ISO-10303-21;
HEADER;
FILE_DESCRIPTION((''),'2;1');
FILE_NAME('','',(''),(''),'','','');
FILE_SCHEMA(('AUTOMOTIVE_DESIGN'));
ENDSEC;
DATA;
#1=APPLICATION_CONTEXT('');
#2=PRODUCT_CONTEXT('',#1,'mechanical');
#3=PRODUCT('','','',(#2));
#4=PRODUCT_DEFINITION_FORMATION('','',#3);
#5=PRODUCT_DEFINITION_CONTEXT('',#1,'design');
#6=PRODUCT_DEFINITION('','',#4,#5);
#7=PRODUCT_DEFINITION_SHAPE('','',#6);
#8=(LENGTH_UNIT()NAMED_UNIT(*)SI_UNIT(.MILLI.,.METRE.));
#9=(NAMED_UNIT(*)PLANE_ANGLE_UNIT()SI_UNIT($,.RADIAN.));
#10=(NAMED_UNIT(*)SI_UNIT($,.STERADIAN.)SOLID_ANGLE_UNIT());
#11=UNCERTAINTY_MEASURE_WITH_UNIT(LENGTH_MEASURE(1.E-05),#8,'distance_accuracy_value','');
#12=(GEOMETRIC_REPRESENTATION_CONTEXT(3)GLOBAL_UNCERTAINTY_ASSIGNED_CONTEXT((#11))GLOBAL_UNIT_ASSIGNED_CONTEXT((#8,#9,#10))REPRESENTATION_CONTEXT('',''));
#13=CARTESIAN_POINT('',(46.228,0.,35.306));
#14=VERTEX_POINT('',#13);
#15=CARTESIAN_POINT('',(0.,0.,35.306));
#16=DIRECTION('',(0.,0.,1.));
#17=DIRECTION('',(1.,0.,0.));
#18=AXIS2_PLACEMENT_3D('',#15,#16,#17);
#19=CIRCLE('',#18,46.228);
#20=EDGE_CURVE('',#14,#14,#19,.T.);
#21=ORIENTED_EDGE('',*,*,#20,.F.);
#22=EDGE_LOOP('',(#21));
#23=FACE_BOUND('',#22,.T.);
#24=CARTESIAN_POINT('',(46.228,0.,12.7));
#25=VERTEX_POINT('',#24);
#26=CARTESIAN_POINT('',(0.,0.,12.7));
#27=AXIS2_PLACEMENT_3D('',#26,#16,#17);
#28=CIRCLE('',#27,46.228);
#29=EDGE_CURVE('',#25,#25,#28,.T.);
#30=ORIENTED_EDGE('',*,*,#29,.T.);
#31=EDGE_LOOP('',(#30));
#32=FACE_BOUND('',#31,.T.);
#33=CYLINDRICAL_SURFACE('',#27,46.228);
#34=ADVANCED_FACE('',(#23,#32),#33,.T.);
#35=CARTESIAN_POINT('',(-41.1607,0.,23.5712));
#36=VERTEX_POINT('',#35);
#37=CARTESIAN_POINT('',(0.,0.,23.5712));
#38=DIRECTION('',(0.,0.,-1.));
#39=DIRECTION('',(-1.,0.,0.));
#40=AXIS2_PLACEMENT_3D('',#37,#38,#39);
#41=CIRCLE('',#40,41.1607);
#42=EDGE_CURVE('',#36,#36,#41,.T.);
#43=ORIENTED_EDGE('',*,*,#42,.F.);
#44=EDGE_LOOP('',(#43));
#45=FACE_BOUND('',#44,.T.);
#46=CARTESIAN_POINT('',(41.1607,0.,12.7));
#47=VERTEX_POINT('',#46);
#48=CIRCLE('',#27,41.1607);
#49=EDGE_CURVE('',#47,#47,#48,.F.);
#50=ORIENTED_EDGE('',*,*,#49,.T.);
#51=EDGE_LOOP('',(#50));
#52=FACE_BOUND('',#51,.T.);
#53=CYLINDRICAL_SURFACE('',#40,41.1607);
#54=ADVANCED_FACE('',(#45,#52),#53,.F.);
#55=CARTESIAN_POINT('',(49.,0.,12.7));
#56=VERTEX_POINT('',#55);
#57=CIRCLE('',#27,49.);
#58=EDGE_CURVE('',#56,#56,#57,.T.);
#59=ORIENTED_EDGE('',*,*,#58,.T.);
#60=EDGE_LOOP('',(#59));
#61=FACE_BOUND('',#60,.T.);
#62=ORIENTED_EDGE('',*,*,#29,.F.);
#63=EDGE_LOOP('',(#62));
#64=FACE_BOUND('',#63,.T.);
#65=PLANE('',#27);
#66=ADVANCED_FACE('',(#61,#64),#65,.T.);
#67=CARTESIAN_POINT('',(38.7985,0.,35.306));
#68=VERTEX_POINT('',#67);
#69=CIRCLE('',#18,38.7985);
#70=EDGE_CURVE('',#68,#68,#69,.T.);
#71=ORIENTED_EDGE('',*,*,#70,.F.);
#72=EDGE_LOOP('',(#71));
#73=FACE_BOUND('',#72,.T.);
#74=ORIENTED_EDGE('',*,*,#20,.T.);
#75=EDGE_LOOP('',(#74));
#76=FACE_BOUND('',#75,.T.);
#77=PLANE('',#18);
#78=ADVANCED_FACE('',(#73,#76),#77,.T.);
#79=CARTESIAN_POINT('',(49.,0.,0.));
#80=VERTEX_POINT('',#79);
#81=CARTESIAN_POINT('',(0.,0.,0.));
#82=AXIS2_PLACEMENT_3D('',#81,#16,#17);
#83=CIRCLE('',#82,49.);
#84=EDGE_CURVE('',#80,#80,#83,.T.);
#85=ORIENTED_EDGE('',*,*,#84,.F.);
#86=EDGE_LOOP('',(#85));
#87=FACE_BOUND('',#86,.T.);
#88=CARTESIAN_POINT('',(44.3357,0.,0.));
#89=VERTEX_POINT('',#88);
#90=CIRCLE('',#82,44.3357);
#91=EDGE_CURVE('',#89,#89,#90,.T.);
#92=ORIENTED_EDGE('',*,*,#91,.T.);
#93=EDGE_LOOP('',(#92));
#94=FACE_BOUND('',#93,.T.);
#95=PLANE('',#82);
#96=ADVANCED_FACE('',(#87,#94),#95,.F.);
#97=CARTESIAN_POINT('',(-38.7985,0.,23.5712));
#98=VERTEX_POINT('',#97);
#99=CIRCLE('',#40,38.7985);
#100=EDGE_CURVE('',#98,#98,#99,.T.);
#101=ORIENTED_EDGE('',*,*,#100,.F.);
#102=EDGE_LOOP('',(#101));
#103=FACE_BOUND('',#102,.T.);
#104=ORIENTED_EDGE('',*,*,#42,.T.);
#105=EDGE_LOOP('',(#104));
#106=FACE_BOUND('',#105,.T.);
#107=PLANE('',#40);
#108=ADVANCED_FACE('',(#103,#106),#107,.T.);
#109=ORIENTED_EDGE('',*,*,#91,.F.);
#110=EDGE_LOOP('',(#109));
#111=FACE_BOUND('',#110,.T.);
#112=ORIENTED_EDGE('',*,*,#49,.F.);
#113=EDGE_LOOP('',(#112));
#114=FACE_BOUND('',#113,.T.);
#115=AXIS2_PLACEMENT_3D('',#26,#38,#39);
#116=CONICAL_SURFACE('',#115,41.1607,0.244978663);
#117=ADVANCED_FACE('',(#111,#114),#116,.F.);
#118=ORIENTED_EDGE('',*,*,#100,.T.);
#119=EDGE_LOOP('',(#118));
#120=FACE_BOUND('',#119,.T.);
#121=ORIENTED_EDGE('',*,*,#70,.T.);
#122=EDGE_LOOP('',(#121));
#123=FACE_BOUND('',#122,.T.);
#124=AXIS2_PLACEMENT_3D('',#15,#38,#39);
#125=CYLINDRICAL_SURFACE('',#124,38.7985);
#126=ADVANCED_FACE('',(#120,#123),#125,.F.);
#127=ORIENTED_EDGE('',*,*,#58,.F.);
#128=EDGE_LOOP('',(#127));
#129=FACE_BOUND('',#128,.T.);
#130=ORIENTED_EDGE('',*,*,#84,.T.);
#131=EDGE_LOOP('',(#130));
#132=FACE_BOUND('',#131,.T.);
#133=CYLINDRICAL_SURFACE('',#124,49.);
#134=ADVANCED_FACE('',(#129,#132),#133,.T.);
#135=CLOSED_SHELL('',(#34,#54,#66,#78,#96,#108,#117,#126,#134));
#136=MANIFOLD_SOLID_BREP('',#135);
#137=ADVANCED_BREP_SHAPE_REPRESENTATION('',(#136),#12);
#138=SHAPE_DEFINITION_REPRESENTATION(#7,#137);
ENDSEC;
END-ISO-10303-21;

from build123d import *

# Parameters (mm, degrees)
SKETCH1_R         = 49
SKETCH1_R_2       = 38.7985
EXTRUDE1_DEPTH    = 35.306
SKETCH2_OUTSIDE_W = 128.604
SKETCH2_OUTSIDE_H = 128.604
SKETCH2_OUTSIDE_R = 46.228
EXTRUDE2_DEPTH    = 22.606
SKETCH3_R         = 41.1607
EXTRUDE3_DEPTH    = 23.5712
CHAMFER1_SIZE     = 3.175
CHAMFER1_SIZE2    = 12.7


with BuildPart() as part:
    # Sketch1 → Extrude1 (new body)
    with BuildSketch(Plane.XY):
        Circle(SKETCH1_R)
        Circle(SKETCH1_R_2, mode=Mode.SUBTRACT)
    extrude(amount=EXTRUDE1_DEPTH)

    # Sketch2 outside → Extrude2 (cut)
    with BuildSketch(Plane.XY.offset(35.306)):
        Rectangle(SKETCH2_OUTSIDE_W, SKETCH2_OUTSIDE_H)
        Circle(SKETCH2_OUTSIDE_R, mode=Mode.SUBTRACT)
    extrude(amount=-EXTRUDE2_DEPTH, mode=Mode.SUBTRACT)

    # Sketch3 → Extrude3 (cut)
    with BuildSketch(Plane(origin=(0, 0, 0), x_dir=(-1, 0, 0), z_dir=(0, 0, -1))):
        Circle(SKETCH3_R)
    extrude(amount=-EXTRUDE3_DEPTH, mode=Mode.SUBTRACT)

    # Chamfer1
    chamfer1_edges = [part.edges().sort_by_distance(p)[0] for p in [
        (41.1607, 0, 0),
    ]]
    chamfer1_side = [part.faces().sort_by_distance(p)[0] for p in [
        (-47.614070709, 0, 0),
    ]]
    chamfer(chamfer1_edges, length=CHAMFER1_SIZE, length2=CHAMFER1_SIZE2, reference=chamfer1_side[0])


solid = part.part
